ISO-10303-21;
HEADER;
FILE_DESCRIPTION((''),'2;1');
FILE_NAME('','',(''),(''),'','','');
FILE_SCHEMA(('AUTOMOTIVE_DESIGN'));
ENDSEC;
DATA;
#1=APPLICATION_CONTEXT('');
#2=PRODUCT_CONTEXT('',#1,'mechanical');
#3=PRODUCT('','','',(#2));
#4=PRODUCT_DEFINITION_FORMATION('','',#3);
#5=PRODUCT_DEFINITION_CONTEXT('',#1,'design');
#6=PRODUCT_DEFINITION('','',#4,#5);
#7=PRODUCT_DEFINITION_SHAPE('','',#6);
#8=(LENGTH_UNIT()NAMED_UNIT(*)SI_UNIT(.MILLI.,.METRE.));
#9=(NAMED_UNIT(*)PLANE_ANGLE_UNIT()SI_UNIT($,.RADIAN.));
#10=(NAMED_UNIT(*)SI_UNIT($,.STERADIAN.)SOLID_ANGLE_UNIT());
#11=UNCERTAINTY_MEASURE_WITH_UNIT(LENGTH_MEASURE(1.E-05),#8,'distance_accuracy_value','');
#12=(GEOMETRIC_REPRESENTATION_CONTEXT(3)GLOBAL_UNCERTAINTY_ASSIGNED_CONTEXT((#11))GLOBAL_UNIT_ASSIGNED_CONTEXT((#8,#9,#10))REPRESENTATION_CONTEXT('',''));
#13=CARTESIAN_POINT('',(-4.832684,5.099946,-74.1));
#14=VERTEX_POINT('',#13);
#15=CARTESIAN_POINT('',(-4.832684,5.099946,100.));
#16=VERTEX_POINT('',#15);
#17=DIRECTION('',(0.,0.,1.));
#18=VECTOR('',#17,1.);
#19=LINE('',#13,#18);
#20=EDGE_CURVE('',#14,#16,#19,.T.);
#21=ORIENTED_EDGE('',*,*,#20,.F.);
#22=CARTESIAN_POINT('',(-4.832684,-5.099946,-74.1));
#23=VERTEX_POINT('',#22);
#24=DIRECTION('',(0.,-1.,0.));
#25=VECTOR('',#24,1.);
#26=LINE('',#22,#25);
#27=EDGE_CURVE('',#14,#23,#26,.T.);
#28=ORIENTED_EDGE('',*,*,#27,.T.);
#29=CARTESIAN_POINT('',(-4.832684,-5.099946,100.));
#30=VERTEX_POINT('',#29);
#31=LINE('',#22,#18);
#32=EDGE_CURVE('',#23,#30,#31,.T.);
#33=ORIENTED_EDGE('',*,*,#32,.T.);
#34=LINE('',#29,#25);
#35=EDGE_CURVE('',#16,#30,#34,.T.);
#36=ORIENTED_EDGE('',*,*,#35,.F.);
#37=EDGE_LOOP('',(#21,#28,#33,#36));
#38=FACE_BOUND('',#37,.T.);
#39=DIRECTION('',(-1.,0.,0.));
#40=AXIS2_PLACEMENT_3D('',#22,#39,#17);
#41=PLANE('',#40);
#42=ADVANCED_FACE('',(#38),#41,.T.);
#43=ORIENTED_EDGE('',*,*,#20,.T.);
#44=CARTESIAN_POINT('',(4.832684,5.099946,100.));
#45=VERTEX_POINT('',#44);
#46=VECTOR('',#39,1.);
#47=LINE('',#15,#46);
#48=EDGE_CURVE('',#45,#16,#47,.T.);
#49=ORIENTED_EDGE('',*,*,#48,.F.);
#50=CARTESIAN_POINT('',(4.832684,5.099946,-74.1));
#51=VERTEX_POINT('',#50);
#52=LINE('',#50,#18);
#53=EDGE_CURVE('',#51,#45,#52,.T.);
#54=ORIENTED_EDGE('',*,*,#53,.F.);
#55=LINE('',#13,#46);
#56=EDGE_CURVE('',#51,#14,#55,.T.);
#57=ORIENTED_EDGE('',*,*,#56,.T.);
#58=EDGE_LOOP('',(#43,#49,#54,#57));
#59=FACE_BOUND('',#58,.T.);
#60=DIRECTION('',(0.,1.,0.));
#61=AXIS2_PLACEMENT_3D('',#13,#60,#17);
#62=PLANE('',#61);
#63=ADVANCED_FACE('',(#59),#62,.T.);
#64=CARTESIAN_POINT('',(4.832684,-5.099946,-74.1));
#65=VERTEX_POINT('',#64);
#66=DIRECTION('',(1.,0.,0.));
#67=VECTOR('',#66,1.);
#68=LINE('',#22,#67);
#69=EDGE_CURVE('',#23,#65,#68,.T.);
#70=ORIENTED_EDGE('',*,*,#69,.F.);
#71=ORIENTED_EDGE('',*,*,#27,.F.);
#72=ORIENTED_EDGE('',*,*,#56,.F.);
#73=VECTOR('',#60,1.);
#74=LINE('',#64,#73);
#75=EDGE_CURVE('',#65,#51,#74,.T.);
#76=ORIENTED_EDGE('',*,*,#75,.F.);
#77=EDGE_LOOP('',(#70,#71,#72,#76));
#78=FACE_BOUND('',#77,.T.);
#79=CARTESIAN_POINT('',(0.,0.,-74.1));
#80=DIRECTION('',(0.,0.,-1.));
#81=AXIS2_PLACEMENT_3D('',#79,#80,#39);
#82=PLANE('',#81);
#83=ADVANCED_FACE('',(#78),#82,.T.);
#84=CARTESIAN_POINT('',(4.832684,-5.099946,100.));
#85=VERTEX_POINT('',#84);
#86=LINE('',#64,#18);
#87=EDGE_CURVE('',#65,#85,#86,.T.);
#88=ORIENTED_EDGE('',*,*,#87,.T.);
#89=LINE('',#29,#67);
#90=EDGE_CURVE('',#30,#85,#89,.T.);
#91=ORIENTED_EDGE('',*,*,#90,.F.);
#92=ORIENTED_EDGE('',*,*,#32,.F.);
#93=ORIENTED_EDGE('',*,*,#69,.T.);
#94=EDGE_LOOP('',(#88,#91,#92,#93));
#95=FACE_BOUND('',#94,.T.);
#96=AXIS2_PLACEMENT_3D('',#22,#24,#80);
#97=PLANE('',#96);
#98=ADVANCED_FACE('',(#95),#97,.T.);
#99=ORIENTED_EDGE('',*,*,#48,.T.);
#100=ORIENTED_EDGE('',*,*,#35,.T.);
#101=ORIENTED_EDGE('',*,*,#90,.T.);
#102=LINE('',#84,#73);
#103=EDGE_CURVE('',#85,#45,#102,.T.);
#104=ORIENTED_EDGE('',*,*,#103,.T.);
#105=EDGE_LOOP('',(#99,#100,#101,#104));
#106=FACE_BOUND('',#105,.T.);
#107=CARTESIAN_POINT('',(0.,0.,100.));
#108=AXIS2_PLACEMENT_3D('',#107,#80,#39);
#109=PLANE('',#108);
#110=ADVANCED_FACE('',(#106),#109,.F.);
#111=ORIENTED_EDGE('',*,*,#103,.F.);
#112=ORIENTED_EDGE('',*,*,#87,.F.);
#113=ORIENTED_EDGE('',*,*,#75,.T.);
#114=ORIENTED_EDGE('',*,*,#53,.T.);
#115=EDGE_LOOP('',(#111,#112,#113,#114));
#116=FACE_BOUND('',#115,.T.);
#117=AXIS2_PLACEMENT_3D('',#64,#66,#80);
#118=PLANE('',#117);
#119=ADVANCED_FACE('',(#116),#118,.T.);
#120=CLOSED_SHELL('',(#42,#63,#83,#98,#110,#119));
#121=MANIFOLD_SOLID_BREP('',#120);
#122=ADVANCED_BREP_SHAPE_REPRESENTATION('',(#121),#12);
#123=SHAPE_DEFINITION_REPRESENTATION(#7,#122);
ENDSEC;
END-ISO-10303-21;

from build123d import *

# Parameters (mm, degrees)
EXTRUDE_2_DEPTH      = 100
EXTRUDE_2_DEPTH_BACK = 74.1
SKETCH_1_W           = 9.665369
SKETCH_1_H           = 10.19989157


with BuildPart() as part:
    # 草图1 → 凸台-拉伸2 (new, two sides: drawn at the far end of the back side and taken through both)
    with BuildSketch(Plane.XY.offset(-EXTRUDE_2_DEPTH_BACK)):
        Rectangle(SKETCH_1_W, SKETCH_1_H)
    extrude(amount=EXTRUDE_2_DEPTH + EXTRUDE_2_DEPTH_BACK)


solid = part.part
